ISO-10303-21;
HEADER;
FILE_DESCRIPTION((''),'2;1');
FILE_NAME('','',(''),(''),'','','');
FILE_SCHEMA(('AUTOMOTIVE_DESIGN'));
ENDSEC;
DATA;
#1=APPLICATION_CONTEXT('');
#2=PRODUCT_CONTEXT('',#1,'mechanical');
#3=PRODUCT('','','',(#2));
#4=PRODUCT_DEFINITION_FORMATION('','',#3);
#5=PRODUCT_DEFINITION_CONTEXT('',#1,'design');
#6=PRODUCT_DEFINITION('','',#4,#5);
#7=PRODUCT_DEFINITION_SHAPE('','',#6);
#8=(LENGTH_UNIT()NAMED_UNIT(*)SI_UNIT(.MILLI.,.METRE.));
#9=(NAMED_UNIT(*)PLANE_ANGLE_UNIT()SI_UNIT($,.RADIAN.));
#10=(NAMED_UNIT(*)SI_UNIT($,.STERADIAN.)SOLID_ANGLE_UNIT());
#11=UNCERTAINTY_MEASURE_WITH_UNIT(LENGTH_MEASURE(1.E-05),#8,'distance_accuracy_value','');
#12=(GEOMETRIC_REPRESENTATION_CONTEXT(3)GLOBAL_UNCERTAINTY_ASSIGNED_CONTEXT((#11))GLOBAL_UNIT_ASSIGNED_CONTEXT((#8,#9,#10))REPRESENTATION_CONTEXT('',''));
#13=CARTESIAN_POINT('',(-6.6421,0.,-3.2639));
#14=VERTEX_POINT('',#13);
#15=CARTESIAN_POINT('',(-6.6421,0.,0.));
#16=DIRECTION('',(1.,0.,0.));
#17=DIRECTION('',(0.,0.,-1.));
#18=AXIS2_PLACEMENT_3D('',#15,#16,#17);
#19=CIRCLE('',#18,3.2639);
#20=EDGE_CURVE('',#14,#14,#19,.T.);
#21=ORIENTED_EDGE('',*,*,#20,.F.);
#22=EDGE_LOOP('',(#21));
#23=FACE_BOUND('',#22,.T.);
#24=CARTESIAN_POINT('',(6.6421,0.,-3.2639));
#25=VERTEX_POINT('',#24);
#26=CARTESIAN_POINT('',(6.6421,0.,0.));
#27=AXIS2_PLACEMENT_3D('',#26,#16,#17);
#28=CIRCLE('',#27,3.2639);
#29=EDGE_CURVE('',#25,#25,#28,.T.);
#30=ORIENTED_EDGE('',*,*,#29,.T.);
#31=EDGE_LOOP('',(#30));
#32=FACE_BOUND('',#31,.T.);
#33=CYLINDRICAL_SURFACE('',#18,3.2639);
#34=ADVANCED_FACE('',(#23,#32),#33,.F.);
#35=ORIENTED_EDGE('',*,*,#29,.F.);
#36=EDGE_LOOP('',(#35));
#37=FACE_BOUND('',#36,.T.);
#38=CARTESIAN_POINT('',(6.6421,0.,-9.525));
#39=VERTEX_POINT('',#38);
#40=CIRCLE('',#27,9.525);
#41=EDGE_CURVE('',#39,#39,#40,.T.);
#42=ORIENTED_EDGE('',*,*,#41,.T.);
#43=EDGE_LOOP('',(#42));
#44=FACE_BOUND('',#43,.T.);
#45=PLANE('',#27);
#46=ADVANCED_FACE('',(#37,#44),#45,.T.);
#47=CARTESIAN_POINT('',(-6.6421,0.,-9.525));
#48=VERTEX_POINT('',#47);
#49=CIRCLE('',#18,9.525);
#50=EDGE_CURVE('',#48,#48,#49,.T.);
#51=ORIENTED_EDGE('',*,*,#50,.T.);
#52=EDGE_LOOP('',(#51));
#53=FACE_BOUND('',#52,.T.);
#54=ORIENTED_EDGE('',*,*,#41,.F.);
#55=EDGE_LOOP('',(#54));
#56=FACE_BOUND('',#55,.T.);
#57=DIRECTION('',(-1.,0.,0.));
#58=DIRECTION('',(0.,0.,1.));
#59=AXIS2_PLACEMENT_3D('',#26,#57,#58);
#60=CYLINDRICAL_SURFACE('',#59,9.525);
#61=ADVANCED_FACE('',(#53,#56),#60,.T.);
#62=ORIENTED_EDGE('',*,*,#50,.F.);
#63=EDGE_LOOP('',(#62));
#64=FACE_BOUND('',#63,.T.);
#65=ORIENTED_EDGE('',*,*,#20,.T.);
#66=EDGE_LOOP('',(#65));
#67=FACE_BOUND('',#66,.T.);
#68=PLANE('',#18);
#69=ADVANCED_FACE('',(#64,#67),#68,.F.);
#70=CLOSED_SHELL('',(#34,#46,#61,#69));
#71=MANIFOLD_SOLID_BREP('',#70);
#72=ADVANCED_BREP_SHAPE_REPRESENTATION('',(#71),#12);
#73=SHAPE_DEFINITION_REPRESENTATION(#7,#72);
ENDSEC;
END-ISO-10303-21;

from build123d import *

# Parameters (mm, degrees)
SKETCH1_R      = 9.525
EXTRUDE1_DEPTH = 6.6421
SKETCH2_R      = 3.2639
EXTRUDE2_DEPTH = 19.918805978


with BuildPart() as part:
    # Sketch1 → Extrude1 (new, symmetric)
    with BuildSketch(Plane(origin=(0, 0, 0), x_dir=(0, 0, -1), z_dir=(1, 0, 0))):
        Circle(SKETCH1_R)
    extrude(amount=EXTRUDE1_DEPTH, both=True)

    # Sketch2 → Extrude2 (cut, through all)
    with BuildSketch(Plane(origin=(6.6421, 0, 0), x_dir=(0, 0, -1), z_dir=(1, 0, 0))):
        Circle(SKETCH2_R)
    extrude(amount=-EXTRUDE2_DEPTH, mode=Mode.SUBTRACT)


solid = part.part
